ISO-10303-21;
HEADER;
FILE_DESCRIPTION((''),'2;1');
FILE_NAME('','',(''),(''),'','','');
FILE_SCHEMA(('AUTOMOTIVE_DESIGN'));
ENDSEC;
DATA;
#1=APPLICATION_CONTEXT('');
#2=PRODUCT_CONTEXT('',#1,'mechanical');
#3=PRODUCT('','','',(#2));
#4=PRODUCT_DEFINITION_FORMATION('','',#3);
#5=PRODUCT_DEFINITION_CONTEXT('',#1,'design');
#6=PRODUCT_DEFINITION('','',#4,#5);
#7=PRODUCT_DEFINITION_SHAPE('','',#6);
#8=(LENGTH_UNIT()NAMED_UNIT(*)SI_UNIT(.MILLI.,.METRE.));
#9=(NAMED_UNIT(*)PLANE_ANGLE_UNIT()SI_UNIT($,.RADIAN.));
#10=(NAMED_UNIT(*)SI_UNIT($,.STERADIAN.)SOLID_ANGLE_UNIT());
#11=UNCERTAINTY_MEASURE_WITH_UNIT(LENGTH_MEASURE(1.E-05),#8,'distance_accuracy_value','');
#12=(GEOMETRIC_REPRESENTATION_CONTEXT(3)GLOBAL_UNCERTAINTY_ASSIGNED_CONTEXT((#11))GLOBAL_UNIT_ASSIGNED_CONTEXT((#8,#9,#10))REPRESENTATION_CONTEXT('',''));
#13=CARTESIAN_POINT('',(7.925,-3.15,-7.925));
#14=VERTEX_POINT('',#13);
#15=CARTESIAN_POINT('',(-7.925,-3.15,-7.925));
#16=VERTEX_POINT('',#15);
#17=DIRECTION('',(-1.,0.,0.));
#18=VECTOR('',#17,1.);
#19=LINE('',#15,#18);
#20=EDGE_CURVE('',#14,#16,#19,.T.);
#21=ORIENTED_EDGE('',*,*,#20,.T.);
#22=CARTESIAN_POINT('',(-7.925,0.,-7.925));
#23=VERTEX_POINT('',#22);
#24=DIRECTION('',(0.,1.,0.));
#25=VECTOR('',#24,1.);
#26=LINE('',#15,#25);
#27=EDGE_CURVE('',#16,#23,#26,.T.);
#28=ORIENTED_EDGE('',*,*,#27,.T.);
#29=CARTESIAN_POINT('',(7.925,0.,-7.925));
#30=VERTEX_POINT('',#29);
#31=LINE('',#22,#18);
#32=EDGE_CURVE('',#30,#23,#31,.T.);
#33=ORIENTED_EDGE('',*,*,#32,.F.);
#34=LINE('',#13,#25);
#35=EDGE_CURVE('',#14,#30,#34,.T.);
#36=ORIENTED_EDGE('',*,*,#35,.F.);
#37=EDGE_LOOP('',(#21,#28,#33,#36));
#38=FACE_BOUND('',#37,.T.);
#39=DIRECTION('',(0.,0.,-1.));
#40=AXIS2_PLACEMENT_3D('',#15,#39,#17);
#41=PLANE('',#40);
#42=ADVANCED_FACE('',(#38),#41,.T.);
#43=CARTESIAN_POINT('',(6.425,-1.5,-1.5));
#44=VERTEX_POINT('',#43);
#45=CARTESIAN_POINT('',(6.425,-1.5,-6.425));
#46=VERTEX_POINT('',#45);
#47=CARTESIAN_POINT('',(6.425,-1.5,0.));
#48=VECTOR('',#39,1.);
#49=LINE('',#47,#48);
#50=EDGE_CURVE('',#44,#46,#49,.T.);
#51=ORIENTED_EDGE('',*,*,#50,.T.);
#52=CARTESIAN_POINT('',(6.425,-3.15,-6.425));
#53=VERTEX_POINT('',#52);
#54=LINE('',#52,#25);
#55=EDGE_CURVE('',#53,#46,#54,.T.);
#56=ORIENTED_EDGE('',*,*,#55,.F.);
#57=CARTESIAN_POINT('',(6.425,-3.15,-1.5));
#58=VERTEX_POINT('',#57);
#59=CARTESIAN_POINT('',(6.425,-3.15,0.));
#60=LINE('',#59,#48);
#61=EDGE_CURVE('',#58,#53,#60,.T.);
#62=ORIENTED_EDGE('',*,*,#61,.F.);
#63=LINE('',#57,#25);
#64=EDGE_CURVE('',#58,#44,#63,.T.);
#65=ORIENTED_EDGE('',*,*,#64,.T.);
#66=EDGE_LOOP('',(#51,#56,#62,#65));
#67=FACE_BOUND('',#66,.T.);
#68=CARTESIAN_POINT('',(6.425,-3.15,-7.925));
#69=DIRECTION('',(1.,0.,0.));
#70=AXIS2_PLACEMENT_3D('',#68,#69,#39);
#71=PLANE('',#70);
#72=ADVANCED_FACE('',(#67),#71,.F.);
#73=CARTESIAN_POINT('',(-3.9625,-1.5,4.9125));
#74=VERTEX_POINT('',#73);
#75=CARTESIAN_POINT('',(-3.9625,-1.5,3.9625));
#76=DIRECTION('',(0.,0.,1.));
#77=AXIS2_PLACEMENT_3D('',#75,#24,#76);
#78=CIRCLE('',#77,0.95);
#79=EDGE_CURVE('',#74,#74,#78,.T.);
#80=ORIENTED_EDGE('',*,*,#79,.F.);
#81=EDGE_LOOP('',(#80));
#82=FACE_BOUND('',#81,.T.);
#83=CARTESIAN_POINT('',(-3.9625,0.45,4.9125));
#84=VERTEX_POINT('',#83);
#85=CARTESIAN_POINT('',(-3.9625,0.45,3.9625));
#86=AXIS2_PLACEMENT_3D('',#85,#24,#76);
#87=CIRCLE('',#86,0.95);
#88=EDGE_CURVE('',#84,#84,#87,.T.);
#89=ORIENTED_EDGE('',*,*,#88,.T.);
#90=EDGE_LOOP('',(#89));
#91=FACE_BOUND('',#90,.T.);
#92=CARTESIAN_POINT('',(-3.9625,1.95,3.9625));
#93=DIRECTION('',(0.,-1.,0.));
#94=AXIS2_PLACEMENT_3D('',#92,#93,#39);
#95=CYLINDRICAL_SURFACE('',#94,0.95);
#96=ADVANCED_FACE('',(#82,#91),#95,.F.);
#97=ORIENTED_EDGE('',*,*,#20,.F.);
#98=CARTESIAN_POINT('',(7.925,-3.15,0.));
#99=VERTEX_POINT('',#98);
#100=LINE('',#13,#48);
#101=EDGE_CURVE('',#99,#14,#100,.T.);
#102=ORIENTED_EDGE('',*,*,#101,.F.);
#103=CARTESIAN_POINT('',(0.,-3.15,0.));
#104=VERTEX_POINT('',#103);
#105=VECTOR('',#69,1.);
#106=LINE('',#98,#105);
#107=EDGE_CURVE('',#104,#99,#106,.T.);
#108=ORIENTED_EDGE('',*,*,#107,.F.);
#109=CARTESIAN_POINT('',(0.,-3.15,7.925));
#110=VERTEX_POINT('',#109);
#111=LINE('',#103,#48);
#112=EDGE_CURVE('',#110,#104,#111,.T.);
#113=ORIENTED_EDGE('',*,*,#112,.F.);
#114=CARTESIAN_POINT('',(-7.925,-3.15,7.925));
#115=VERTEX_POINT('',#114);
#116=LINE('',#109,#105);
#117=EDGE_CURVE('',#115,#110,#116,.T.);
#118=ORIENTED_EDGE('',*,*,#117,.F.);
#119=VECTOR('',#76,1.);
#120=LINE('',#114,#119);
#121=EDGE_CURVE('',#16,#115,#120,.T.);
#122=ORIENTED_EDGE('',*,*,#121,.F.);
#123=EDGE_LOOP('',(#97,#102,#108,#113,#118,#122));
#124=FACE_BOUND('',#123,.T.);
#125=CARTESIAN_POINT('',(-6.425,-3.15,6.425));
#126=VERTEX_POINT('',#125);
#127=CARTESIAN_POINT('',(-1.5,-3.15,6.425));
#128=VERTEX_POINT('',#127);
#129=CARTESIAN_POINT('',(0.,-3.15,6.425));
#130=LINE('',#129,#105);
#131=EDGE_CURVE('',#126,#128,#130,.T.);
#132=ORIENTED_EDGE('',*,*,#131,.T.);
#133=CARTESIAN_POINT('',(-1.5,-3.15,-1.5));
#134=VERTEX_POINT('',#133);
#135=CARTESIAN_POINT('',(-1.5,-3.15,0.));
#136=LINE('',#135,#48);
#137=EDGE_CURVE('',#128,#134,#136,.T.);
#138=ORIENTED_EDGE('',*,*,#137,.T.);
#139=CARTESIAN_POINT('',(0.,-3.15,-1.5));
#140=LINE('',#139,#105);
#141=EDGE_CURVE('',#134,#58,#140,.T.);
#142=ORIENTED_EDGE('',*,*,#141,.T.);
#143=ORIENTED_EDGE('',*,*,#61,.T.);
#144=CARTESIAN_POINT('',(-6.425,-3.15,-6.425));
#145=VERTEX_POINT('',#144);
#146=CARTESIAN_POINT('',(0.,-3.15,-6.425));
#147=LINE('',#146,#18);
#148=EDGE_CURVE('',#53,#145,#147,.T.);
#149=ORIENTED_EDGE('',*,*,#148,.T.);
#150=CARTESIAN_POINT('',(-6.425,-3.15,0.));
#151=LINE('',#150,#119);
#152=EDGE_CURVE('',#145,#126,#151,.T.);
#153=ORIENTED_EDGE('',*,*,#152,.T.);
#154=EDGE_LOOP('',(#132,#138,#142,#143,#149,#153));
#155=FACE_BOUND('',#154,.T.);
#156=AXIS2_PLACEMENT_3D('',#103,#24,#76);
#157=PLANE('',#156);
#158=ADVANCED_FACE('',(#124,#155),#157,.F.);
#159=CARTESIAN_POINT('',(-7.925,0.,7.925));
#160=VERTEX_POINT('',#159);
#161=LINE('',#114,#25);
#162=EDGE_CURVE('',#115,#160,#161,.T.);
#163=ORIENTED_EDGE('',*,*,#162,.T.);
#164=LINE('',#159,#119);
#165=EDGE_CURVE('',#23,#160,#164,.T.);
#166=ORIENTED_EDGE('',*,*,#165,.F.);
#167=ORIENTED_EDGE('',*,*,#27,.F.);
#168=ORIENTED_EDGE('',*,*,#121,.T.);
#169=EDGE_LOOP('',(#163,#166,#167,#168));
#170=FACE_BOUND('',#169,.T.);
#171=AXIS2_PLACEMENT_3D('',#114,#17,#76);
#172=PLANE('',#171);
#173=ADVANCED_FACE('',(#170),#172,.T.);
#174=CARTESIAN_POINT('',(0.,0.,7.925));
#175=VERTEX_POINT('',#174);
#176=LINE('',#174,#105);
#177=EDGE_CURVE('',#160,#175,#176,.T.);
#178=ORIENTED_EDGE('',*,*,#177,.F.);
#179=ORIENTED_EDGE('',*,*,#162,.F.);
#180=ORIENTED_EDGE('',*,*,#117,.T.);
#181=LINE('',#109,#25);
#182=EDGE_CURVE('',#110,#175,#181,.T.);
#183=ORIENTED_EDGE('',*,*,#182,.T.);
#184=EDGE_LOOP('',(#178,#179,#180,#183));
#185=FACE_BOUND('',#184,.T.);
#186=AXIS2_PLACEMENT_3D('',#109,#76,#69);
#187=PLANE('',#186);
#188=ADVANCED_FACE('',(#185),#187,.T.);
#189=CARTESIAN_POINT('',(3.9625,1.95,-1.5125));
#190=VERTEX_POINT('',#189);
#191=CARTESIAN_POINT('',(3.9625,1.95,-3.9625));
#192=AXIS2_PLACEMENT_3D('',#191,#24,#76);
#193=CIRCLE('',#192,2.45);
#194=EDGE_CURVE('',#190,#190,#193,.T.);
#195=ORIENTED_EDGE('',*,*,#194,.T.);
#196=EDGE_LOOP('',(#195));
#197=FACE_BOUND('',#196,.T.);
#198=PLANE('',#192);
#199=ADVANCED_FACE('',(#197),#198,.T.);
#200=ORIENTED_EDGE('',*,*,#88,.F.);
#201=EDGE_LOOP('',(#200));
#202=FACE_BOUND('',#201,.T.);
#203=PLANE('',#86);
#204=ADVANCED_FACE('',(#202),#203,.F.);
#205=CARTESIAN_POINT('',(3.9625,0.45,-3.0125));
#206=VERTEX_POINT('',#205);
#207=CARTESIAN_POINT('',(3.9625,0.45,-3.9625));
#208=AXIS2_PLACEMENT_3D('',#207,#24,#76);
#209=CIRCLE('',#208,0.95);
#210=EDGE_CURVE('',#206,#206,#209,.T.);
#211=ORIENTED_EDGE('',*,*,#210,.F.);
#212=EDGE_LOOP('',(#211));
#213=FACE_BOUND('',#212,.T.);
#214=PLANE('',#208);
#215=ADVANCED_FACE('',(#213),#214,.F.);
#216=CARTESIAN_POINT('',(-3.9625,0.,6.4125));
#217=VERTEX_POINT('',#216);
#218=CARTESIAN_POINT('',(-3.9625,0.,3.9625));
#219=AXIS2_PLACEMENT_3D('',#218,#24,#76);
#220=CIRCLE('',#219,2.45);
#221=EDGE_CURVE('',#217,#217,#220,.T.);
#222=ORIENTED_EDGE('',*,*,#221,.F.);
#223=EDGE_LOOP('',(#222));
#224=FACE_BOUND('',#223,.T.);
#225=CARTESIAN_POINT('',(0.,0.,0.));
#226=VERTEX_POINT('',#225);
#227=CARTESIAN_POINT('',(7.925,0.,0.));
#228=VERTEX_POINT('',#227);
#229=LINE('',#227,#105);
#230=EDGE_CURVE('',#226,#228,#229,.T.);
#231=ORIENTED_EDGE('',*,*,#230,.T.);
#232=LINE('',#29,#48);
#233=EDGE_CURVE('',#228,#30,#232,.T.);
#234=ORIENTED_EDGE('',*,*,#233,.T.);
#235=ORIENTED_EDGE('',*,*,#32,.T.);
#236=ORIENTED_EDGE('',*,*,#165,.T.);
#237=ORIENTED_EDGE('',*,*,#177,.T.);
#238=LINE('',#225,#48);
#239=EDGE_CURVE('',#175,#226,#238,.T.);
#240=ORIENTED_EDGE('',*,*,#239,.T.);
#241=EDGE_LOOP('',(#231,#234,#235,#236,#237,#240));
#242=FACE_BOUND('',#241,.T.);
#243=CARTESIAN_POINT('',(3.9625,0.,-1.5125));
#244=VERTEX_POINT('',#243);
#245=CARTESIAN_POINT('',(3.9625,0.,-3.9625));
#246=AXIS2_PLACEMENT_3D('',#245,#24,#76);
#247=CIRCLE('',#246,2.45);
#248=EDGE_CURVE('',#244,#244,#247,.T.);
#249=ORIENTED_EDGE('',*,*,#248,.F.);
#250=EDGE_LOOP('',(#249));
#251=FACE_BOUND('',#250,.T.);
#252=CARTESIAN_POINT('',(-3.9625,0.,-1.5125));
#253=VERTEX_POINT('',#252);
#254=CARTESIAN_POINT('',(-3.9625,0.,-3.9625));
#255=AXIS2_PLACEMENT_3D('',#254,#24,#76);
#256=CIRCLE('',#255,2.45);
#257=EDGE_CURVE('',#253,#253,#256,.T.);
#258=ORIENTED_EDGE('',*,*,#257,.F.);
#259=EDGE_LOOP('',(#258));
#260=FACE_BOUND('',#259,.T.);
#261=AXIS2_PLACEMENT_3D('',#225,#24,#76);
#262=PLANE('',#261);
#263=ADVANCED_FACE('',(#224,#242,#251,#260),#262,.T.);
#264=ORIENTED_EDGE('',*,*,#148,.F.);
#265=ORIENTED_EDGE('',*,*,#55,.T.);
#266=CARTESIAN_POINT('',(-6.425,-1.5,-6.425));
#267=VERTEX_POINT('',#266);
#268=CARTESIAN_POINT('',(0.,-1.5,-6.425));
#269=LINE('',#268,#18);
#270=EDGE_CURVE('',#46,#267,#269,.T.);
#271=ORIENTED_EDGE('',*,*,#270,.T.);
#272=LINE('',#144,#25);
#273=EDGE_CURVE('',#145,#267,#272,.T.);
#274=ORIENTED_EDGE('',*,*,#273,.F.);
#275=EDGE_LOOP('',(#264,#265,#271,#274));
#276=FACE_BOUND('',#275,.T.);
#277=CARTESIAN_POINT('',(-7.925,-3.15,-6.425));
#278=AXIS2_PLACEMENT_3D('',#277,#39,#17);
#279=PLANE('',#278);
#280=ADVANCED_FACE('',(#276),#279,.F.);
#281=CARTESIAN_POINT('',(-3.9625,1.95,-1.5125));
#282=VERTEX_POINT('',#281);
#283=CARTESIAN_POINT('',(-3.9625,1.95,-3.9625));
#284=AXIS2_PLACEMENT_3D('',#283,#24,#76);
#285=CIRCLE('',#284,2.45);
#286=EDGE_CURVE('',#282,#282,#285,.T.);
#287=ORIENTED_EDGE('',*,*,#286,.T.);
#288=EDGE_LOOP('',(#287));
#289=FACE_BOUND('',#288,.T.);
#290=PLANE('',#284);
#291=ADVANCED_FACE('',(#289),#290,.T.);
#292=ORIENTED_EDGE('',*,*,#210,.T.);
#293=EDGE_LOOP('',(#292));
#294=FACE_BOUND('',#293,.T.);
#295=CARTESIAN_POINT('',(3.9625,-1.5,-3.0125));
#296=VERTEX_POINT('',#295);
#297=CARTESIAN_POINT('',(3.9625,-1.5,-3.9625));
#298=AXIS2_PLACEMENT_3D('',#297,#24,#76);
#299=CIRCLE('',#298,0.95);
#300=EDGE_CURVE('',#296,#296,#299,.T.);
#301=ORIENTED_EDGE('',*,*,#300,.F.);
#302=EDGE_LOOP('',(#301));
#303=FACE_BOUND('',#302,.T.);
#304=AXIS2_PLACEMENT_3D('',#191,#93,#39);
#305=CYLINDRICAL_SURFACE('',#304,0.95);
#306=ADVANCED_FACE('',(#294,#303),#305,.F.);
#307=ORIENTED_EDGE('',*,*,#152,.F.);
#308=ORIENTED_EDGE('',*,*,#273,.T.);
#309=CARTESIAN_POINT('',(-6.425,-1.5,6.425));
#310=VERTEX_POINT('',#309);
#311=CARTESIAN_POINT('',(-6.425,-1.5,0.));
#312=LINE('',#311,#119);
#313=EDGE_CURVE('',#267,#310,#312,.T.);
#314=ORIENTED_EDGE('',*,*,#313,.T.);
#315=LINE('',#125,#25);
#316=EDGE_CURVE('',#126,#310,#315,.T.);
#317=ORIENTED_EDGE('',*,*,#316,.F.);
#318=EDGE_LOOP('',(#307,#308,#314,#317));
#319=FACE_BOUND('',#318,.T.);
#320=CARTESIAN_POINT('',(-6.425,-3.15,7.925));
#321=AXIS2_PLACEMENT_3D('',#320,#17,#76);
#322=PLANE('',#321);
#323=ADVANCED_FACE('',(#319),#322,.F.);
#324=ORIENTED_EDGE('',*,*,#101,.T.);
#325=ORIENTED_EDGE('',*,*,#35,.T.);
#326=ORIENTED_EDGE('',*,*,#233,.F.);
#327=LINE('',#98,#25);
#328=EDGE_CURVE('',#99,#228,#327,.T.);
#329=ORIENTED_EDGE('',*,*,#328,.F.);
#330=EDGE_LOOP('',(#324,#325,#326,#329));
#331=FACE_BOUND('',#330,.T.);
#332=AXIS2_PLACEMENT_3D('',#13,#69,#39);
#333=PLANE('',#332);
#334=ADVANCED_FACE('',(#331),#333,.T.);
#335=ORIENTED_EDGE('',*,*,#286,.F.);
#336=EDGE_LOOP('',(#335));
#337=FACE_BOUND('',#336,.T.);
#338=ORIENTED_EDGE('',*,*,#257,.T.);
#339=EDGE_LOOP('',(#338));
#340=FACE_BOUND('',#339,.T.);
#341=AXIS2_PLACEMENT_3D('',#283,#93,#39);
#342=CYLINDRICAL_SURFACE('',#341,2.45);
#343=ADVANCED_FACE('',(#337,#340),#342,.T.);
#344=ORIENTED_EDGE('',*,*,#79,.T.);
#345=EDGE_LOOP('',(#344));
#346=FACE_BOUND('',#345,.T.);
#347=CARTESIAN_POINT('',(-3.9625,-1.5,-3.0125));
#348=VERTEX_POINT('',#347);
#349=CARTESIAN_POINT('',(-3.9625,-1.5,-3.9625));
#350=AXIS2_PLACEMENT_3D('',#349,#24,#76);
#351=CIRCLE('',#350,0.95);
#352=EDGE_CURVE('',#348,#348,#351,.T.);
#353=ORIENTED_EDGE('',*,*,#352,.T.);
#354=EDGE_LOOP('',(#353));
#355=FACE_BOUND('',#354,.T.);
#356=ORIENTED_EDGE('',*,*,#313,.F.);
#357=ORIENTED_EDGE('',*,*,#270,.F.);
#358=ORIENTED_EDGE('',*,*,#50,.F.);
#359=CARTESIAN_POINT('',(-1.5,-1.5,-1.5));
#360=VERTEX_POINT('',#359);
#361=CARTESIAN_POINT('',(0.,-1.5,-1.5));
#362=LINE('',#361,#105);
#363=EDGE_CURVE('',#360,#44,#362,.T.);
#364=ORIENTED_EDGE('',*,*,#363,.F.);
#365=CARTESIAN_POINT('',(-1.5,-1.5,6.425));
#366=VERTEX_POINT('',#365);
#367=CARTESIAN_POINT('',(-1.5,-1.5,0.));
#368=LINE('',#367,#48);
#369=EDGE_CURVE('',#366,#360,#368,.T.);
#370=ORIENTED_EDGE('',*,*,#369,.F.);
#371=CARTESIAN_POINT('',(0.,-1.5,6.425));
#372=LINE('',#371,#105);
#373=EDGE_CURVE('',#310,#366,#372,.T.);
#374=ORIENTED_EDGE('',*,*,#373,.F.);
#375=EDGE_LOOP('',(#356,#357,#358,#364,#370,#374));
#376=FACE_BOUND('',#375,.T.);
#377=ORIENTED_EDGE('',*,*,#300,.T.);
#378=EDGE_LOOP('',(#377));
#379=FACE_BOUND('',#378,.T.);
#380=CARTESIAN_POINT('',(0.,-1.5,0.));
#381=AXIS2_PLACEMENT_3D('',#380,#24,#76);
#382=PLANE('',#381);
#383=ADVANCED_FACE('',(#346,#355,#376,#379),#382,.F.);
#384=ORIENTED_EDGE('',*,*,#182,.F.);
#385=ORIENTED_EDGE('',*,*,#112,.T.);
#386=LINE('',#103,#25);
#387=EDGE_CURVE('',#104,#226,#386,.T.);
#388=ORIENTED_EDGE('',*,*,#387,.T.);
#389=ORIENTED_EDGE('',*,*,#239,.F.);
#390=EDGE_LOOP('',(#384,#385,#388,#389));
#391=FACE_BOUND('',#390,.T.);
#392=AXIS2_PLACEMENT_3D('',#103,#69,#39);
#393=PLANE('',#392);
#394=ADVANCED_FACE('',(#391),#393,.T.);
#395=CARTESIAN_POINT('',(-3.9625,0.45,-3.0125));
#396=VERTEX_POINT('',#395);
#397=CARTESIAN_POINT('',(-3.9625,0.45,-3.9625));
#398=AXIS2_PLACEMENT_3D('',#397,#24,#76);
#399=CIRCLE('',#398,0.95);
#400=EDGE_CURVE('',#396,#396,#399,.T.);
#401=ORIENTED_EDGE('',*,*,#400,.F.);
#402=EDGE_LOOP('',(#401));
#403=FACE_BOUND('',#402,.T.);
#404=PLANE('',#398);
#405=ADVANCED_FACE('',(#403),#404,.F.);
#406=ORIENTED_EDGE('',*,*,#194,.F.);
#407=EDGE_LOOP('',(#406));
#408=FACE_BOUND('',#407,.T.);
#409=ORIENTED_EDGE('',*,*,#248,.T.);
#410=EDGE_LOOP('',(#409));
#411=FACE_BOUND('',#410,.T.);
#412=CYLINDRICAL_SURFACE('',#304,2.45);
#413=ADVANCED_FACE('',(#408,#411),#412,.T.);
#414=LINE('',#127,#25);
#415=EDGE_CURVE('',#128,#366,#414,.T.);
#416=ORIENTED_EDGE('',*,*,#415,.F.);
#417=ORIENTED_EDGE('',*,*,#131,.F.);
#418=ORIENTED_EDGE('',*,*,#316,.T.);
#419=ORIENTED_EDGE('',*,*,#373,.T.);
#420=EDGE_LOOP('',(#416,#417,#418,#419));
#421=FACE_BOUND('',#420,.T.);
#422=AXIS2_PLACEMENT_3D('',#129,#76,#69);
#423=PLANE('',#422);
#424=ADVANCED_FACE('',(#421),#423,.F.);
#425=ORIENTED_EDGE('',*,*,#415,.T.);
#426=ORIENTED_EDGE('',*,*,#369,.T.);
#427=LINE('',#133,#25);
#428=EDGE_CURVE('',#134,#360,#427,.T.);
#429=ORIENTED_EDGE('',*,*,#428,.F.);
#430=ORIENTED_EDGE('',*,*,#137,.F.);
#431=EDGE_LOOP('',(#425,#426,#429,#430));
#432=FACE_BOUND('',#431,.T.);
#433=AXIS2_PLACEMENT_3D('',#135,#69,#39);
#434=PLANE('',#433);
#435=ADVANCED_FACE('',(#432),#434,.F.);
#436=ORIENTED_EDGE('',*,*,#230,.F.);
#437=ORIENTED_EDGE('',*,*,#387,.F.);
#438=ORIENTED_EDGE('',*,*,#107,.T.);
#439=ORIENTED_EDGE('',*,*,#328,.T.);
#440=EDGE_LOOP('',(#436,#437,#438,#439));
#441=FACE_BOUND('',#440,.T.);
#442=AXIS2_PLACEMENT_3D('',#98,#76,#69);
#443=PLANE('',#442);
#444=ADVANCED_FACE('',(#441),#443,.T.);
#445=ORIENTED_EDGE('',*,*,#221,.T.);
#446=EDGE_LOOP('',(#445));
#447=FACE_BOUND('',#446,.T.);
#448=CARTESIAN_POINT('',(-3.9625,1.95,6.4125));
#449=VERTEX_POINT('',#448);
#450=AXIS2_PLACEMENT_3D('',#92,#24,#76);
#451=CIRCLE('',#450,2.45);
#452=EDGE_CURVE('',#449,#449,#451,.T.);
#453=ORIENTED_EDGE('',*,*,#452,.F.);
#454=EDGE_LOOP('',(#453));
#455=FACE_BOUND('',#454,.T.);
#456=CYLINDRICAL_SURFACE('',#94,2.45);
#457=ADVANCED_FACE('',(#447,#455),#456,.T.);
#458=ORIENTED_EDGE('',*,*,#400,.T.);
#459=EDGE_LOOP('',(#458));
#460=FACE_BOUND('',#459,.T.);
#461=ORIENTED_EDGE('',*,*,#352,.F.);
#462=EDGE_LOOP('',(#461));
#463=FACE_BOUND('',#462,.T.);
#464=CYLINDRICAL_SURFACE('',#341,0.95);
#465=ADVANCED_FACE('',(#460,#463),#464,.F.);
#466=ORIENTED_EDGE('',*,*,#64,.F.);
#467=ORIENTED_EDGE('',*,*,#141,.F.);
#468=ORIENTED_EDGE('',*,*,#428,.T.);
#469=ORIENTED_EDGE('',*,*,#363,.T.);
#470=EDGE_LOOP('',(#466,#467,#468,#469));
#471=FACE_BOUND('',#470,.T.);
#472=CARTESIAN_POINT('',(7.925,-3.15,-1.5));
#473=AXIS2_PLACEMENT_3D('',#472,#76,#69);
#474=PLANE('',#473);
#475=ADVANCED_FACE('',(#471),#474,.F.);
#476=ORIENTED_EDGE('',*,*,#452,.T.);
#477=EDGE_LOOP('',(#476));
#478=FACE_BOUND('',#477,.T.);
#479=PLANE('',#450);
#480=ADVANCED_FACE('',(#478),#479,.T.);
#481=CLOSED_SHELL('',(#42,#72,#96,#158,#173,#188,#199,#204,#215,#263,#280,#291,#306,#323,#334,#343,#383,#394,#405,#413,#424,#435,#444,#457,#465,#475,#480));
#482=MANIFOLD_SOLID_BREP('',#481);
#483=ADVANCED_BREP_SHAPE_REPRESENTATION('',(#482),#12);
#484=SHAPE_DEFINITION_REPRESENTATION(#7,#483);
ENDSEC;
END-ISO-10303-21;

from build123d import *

# Parameters (mm, degrees)
BOSS_EXTRUDE1_DEPTH = 3.15
SKETCH3_R           = 2.45
BOSS_EXTRUDE2_DEPTH = 1.95
SHELL1_T            = -1.5


with BuildPart() as part:
    # Sketch2 → Boss-Extrude1 (new body)
    with BuildSketch(Plane(origin=(0, 0, 0), x_dir=(1, 0, 0), z_dir=(0, 1, 0))):
        Polygon((0, 0), (0, -7.925), (-7.925, -7.925), (-7.925, 7.925), (7.925, 7.925), (7.925, 0), align=None)
    extrude(amount=-BOSS_EXTRUDE1_DEPTH)

    # Sketch3 → Boss-Extrude2 (add)
    with BuildSketch(Plane(origin=(0, 0, 0), x_dir=(1, 0, 0), z_dir=(0, 1, 0))):
        with Locations(Location((-3.9625, 3.9625, 0), (0, 0, 270))):
            Circle(SKETCH3_R)
        with Locations(Location((3.9625, 3.9625, 0), (0, 0, 270))):
            Circle(SKETCH3_R)
        with Locations(Location((-3.9625, -3.9625, 0), (0, 0, 270))):
            Circle(SKETCH3_R)
    extrude(amount=BOSS_EXTRUDE2_DEPTH)

    # Shell1
    shell1_openings = [part.faces().sort_by_distance(p)[0] for p in [
        (-1.320833333, -3.15, -1.320833333),
    ]]
    offset(amount=SHELL1_T, openings=shell1_openings, kind=Kind.INTERSECTION)


solid = part.part
